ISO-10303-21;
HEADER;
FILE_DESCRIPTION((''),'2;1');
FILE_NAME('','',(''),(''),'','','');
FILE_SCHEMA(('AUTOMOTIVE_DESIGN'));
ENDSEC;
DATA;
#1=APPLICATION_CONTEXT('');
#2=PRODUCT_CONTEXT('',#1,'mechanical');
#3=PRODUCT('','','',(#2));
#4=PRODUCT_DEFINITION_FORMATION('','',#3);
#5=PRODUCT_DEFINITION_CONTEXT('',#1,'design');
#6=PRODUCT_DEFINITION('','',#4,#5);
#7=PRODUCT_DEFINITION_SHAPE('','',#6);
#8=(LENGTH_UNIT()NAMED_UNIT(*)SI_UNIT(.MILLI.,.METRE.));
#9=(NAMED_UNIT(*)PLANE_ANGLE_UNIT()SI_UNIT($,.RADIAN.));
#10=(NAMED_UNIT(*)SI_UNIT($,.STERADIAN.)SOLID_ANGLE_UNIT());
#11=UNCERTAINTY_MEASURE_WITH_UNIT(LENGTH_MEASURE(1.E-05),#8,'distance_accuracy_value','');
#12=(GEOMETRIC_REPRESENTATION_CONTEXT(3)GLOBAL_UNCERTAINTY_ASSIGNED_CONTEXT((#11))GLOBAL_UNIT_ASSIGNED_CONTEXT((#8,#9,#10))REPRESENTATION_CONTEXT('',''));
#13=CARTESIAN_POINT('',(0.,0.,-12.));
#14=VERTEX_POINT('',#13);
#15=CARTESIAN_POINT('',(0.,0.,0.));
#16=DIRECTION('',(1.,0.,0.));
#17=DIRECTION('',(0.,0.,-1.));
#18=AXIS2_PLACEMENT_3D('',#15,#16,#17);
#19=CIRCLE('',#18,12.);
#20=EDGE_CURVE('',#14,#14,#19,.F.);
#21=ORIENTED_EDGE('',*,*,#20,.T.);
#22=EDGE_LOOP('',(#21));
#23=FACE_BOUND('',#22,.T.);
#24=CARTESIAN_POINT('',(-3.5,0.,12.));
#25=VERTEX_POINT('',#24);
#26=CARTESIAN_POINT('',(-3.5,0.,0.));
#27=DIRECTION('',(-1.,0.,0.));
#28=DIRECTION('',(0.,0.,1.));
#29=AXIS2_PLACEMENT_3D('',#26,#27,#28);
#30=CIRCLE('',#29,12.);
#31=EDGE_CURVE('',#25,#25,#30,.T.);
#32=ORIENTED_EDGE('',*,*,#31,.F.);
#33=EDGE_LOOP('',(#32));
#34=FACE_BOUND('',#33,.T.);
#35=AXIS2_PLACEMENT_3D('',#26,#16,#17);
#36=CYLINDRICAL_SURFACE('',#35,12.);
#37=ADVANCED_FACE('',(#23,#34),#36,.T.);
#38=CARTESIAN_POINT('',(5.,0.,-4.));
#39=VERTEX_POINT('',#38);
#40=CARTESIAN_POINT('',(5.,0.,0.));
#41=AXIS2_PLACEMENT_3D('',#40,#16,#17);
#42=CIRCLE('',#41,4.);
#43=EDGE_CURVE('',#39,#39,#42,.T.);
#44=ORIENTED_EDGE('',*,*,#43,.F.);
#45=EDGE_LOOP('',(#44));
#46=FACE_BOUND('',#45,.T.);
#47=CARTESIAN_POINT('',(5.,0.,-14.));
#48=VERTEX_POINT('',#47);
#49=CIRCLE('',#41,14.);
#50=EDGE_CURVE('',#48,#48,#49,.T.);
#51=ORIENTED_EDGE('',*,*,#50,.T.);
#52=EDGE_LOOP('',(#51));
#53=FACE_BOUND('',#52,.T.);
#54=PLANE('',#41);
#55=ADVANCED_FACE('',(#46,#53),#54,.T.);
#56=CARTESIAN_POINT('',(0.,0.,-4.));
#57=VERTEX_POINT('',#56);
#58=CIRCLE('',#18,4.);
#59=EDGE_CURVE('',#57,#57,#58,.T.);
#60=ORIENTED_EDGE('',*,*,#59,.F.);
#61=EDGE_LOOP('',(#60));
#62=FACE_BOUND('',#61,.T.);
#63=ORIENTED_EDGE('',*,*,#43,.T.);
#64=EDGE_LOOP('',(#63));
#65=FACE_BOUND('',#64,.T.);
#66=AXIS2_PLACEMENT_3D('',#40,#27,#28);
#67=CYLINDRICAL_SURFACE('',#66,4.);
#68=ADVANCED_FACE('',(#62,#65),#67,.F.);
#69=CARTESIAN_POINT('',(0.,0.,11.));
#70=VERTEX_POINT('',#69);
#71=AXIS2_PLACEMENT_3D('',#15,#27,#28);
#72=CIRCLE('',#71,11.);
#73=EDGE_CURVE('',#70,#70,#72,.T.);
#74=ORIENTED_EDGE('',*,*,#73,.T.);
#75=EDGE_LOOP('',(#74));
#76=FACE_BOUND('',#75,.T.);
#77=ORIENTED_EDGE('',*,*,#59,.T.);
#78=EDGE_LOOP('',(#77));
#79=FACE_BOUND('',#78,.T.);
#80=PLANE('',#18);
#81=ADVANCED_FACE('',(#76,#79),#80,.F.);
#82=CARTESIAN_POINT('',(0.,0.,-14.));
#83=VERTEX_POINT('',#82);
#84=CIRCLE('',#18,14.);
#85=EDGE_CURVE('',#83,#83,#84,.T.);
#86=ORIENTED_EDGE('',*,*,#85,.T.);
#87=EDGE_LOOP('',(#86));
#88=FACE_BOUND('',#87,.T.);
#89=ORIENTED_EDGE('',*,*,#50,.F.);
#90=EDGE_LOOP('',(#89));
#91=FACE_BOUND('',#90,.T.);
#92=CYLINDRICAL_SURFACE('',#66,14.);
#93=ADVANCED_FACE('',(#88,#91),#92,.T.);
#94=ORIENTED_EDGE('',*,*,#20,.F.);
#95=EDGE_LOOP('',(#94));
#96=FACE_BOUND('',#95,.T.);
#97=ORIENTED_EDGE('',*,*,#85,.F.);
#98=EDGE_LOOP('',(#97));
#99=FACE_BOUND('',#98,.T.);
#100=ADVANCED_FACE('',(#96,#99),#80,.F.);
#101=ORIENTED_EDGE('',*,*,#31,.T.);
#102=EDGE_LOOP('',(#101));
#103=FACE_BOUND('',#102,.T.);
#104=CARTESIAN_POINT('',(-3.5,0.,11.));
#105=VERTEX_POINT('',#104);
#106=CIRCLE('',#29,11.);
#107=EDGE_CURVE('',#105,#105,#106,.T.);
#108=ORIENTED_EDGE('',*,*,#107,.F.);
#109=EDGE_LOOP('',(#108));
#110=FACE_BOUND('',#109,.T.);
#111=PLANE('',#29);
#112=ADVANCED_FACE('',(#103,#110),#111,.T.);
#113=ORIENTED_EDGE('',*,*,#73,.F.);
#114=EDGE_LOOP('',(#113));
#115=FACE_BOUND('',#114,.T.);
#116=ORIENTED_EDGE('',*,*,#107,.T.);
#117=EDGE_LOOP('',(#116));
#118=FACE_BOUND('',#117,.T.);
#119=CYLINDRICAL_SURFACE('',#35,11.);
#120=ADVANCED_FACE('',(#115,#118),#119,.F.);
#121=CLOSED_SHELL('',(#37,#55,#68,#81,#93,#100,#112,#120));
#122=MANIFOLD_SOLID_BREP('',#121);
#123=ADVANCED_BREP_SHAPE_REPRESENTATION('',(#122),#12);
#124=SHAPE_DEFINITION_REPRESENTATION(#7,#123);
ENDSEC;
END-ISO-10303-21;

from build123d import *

# Parameters (mm, degrees)
CROQUIS1_R              = 14
CROQUIS1_R_2            = 4
SALIENTE_EXTRUIR1_DEPTH = 5
CROQUIS2_R              = 12
CROQUIS2_R_2            = 11
SALIENTE_EXTRUIR2_DEPTH = 3.5


with BuildPart() as part:
    # Croquis1 → Saliente-Extruir1 (new body)
    with BuildSketch(Plane(origin=(0, 0, 0), x_dir=(0, 0, -1), z_dir=(1, 0, 0))):
        Circle(CROQUIS1_R)
        Circle(CROQUIS1_R_2, mode=Mode.SUBTRACT)
    extrude(amount=SALIENTE_EXTRUIR1_DEPTH)

    # Croquis2 → Saliente-Extruir2 (add)
    with BuildSketch(Plane.ZY):
        Circle(CROQUIS2_R)
        Circle(CROQUIS2_R_2, mode=Mode.SUBTRACT)
    extrude(amount=SALIENTE_EXTRUIR2_DEPTH)


solid = part.part
